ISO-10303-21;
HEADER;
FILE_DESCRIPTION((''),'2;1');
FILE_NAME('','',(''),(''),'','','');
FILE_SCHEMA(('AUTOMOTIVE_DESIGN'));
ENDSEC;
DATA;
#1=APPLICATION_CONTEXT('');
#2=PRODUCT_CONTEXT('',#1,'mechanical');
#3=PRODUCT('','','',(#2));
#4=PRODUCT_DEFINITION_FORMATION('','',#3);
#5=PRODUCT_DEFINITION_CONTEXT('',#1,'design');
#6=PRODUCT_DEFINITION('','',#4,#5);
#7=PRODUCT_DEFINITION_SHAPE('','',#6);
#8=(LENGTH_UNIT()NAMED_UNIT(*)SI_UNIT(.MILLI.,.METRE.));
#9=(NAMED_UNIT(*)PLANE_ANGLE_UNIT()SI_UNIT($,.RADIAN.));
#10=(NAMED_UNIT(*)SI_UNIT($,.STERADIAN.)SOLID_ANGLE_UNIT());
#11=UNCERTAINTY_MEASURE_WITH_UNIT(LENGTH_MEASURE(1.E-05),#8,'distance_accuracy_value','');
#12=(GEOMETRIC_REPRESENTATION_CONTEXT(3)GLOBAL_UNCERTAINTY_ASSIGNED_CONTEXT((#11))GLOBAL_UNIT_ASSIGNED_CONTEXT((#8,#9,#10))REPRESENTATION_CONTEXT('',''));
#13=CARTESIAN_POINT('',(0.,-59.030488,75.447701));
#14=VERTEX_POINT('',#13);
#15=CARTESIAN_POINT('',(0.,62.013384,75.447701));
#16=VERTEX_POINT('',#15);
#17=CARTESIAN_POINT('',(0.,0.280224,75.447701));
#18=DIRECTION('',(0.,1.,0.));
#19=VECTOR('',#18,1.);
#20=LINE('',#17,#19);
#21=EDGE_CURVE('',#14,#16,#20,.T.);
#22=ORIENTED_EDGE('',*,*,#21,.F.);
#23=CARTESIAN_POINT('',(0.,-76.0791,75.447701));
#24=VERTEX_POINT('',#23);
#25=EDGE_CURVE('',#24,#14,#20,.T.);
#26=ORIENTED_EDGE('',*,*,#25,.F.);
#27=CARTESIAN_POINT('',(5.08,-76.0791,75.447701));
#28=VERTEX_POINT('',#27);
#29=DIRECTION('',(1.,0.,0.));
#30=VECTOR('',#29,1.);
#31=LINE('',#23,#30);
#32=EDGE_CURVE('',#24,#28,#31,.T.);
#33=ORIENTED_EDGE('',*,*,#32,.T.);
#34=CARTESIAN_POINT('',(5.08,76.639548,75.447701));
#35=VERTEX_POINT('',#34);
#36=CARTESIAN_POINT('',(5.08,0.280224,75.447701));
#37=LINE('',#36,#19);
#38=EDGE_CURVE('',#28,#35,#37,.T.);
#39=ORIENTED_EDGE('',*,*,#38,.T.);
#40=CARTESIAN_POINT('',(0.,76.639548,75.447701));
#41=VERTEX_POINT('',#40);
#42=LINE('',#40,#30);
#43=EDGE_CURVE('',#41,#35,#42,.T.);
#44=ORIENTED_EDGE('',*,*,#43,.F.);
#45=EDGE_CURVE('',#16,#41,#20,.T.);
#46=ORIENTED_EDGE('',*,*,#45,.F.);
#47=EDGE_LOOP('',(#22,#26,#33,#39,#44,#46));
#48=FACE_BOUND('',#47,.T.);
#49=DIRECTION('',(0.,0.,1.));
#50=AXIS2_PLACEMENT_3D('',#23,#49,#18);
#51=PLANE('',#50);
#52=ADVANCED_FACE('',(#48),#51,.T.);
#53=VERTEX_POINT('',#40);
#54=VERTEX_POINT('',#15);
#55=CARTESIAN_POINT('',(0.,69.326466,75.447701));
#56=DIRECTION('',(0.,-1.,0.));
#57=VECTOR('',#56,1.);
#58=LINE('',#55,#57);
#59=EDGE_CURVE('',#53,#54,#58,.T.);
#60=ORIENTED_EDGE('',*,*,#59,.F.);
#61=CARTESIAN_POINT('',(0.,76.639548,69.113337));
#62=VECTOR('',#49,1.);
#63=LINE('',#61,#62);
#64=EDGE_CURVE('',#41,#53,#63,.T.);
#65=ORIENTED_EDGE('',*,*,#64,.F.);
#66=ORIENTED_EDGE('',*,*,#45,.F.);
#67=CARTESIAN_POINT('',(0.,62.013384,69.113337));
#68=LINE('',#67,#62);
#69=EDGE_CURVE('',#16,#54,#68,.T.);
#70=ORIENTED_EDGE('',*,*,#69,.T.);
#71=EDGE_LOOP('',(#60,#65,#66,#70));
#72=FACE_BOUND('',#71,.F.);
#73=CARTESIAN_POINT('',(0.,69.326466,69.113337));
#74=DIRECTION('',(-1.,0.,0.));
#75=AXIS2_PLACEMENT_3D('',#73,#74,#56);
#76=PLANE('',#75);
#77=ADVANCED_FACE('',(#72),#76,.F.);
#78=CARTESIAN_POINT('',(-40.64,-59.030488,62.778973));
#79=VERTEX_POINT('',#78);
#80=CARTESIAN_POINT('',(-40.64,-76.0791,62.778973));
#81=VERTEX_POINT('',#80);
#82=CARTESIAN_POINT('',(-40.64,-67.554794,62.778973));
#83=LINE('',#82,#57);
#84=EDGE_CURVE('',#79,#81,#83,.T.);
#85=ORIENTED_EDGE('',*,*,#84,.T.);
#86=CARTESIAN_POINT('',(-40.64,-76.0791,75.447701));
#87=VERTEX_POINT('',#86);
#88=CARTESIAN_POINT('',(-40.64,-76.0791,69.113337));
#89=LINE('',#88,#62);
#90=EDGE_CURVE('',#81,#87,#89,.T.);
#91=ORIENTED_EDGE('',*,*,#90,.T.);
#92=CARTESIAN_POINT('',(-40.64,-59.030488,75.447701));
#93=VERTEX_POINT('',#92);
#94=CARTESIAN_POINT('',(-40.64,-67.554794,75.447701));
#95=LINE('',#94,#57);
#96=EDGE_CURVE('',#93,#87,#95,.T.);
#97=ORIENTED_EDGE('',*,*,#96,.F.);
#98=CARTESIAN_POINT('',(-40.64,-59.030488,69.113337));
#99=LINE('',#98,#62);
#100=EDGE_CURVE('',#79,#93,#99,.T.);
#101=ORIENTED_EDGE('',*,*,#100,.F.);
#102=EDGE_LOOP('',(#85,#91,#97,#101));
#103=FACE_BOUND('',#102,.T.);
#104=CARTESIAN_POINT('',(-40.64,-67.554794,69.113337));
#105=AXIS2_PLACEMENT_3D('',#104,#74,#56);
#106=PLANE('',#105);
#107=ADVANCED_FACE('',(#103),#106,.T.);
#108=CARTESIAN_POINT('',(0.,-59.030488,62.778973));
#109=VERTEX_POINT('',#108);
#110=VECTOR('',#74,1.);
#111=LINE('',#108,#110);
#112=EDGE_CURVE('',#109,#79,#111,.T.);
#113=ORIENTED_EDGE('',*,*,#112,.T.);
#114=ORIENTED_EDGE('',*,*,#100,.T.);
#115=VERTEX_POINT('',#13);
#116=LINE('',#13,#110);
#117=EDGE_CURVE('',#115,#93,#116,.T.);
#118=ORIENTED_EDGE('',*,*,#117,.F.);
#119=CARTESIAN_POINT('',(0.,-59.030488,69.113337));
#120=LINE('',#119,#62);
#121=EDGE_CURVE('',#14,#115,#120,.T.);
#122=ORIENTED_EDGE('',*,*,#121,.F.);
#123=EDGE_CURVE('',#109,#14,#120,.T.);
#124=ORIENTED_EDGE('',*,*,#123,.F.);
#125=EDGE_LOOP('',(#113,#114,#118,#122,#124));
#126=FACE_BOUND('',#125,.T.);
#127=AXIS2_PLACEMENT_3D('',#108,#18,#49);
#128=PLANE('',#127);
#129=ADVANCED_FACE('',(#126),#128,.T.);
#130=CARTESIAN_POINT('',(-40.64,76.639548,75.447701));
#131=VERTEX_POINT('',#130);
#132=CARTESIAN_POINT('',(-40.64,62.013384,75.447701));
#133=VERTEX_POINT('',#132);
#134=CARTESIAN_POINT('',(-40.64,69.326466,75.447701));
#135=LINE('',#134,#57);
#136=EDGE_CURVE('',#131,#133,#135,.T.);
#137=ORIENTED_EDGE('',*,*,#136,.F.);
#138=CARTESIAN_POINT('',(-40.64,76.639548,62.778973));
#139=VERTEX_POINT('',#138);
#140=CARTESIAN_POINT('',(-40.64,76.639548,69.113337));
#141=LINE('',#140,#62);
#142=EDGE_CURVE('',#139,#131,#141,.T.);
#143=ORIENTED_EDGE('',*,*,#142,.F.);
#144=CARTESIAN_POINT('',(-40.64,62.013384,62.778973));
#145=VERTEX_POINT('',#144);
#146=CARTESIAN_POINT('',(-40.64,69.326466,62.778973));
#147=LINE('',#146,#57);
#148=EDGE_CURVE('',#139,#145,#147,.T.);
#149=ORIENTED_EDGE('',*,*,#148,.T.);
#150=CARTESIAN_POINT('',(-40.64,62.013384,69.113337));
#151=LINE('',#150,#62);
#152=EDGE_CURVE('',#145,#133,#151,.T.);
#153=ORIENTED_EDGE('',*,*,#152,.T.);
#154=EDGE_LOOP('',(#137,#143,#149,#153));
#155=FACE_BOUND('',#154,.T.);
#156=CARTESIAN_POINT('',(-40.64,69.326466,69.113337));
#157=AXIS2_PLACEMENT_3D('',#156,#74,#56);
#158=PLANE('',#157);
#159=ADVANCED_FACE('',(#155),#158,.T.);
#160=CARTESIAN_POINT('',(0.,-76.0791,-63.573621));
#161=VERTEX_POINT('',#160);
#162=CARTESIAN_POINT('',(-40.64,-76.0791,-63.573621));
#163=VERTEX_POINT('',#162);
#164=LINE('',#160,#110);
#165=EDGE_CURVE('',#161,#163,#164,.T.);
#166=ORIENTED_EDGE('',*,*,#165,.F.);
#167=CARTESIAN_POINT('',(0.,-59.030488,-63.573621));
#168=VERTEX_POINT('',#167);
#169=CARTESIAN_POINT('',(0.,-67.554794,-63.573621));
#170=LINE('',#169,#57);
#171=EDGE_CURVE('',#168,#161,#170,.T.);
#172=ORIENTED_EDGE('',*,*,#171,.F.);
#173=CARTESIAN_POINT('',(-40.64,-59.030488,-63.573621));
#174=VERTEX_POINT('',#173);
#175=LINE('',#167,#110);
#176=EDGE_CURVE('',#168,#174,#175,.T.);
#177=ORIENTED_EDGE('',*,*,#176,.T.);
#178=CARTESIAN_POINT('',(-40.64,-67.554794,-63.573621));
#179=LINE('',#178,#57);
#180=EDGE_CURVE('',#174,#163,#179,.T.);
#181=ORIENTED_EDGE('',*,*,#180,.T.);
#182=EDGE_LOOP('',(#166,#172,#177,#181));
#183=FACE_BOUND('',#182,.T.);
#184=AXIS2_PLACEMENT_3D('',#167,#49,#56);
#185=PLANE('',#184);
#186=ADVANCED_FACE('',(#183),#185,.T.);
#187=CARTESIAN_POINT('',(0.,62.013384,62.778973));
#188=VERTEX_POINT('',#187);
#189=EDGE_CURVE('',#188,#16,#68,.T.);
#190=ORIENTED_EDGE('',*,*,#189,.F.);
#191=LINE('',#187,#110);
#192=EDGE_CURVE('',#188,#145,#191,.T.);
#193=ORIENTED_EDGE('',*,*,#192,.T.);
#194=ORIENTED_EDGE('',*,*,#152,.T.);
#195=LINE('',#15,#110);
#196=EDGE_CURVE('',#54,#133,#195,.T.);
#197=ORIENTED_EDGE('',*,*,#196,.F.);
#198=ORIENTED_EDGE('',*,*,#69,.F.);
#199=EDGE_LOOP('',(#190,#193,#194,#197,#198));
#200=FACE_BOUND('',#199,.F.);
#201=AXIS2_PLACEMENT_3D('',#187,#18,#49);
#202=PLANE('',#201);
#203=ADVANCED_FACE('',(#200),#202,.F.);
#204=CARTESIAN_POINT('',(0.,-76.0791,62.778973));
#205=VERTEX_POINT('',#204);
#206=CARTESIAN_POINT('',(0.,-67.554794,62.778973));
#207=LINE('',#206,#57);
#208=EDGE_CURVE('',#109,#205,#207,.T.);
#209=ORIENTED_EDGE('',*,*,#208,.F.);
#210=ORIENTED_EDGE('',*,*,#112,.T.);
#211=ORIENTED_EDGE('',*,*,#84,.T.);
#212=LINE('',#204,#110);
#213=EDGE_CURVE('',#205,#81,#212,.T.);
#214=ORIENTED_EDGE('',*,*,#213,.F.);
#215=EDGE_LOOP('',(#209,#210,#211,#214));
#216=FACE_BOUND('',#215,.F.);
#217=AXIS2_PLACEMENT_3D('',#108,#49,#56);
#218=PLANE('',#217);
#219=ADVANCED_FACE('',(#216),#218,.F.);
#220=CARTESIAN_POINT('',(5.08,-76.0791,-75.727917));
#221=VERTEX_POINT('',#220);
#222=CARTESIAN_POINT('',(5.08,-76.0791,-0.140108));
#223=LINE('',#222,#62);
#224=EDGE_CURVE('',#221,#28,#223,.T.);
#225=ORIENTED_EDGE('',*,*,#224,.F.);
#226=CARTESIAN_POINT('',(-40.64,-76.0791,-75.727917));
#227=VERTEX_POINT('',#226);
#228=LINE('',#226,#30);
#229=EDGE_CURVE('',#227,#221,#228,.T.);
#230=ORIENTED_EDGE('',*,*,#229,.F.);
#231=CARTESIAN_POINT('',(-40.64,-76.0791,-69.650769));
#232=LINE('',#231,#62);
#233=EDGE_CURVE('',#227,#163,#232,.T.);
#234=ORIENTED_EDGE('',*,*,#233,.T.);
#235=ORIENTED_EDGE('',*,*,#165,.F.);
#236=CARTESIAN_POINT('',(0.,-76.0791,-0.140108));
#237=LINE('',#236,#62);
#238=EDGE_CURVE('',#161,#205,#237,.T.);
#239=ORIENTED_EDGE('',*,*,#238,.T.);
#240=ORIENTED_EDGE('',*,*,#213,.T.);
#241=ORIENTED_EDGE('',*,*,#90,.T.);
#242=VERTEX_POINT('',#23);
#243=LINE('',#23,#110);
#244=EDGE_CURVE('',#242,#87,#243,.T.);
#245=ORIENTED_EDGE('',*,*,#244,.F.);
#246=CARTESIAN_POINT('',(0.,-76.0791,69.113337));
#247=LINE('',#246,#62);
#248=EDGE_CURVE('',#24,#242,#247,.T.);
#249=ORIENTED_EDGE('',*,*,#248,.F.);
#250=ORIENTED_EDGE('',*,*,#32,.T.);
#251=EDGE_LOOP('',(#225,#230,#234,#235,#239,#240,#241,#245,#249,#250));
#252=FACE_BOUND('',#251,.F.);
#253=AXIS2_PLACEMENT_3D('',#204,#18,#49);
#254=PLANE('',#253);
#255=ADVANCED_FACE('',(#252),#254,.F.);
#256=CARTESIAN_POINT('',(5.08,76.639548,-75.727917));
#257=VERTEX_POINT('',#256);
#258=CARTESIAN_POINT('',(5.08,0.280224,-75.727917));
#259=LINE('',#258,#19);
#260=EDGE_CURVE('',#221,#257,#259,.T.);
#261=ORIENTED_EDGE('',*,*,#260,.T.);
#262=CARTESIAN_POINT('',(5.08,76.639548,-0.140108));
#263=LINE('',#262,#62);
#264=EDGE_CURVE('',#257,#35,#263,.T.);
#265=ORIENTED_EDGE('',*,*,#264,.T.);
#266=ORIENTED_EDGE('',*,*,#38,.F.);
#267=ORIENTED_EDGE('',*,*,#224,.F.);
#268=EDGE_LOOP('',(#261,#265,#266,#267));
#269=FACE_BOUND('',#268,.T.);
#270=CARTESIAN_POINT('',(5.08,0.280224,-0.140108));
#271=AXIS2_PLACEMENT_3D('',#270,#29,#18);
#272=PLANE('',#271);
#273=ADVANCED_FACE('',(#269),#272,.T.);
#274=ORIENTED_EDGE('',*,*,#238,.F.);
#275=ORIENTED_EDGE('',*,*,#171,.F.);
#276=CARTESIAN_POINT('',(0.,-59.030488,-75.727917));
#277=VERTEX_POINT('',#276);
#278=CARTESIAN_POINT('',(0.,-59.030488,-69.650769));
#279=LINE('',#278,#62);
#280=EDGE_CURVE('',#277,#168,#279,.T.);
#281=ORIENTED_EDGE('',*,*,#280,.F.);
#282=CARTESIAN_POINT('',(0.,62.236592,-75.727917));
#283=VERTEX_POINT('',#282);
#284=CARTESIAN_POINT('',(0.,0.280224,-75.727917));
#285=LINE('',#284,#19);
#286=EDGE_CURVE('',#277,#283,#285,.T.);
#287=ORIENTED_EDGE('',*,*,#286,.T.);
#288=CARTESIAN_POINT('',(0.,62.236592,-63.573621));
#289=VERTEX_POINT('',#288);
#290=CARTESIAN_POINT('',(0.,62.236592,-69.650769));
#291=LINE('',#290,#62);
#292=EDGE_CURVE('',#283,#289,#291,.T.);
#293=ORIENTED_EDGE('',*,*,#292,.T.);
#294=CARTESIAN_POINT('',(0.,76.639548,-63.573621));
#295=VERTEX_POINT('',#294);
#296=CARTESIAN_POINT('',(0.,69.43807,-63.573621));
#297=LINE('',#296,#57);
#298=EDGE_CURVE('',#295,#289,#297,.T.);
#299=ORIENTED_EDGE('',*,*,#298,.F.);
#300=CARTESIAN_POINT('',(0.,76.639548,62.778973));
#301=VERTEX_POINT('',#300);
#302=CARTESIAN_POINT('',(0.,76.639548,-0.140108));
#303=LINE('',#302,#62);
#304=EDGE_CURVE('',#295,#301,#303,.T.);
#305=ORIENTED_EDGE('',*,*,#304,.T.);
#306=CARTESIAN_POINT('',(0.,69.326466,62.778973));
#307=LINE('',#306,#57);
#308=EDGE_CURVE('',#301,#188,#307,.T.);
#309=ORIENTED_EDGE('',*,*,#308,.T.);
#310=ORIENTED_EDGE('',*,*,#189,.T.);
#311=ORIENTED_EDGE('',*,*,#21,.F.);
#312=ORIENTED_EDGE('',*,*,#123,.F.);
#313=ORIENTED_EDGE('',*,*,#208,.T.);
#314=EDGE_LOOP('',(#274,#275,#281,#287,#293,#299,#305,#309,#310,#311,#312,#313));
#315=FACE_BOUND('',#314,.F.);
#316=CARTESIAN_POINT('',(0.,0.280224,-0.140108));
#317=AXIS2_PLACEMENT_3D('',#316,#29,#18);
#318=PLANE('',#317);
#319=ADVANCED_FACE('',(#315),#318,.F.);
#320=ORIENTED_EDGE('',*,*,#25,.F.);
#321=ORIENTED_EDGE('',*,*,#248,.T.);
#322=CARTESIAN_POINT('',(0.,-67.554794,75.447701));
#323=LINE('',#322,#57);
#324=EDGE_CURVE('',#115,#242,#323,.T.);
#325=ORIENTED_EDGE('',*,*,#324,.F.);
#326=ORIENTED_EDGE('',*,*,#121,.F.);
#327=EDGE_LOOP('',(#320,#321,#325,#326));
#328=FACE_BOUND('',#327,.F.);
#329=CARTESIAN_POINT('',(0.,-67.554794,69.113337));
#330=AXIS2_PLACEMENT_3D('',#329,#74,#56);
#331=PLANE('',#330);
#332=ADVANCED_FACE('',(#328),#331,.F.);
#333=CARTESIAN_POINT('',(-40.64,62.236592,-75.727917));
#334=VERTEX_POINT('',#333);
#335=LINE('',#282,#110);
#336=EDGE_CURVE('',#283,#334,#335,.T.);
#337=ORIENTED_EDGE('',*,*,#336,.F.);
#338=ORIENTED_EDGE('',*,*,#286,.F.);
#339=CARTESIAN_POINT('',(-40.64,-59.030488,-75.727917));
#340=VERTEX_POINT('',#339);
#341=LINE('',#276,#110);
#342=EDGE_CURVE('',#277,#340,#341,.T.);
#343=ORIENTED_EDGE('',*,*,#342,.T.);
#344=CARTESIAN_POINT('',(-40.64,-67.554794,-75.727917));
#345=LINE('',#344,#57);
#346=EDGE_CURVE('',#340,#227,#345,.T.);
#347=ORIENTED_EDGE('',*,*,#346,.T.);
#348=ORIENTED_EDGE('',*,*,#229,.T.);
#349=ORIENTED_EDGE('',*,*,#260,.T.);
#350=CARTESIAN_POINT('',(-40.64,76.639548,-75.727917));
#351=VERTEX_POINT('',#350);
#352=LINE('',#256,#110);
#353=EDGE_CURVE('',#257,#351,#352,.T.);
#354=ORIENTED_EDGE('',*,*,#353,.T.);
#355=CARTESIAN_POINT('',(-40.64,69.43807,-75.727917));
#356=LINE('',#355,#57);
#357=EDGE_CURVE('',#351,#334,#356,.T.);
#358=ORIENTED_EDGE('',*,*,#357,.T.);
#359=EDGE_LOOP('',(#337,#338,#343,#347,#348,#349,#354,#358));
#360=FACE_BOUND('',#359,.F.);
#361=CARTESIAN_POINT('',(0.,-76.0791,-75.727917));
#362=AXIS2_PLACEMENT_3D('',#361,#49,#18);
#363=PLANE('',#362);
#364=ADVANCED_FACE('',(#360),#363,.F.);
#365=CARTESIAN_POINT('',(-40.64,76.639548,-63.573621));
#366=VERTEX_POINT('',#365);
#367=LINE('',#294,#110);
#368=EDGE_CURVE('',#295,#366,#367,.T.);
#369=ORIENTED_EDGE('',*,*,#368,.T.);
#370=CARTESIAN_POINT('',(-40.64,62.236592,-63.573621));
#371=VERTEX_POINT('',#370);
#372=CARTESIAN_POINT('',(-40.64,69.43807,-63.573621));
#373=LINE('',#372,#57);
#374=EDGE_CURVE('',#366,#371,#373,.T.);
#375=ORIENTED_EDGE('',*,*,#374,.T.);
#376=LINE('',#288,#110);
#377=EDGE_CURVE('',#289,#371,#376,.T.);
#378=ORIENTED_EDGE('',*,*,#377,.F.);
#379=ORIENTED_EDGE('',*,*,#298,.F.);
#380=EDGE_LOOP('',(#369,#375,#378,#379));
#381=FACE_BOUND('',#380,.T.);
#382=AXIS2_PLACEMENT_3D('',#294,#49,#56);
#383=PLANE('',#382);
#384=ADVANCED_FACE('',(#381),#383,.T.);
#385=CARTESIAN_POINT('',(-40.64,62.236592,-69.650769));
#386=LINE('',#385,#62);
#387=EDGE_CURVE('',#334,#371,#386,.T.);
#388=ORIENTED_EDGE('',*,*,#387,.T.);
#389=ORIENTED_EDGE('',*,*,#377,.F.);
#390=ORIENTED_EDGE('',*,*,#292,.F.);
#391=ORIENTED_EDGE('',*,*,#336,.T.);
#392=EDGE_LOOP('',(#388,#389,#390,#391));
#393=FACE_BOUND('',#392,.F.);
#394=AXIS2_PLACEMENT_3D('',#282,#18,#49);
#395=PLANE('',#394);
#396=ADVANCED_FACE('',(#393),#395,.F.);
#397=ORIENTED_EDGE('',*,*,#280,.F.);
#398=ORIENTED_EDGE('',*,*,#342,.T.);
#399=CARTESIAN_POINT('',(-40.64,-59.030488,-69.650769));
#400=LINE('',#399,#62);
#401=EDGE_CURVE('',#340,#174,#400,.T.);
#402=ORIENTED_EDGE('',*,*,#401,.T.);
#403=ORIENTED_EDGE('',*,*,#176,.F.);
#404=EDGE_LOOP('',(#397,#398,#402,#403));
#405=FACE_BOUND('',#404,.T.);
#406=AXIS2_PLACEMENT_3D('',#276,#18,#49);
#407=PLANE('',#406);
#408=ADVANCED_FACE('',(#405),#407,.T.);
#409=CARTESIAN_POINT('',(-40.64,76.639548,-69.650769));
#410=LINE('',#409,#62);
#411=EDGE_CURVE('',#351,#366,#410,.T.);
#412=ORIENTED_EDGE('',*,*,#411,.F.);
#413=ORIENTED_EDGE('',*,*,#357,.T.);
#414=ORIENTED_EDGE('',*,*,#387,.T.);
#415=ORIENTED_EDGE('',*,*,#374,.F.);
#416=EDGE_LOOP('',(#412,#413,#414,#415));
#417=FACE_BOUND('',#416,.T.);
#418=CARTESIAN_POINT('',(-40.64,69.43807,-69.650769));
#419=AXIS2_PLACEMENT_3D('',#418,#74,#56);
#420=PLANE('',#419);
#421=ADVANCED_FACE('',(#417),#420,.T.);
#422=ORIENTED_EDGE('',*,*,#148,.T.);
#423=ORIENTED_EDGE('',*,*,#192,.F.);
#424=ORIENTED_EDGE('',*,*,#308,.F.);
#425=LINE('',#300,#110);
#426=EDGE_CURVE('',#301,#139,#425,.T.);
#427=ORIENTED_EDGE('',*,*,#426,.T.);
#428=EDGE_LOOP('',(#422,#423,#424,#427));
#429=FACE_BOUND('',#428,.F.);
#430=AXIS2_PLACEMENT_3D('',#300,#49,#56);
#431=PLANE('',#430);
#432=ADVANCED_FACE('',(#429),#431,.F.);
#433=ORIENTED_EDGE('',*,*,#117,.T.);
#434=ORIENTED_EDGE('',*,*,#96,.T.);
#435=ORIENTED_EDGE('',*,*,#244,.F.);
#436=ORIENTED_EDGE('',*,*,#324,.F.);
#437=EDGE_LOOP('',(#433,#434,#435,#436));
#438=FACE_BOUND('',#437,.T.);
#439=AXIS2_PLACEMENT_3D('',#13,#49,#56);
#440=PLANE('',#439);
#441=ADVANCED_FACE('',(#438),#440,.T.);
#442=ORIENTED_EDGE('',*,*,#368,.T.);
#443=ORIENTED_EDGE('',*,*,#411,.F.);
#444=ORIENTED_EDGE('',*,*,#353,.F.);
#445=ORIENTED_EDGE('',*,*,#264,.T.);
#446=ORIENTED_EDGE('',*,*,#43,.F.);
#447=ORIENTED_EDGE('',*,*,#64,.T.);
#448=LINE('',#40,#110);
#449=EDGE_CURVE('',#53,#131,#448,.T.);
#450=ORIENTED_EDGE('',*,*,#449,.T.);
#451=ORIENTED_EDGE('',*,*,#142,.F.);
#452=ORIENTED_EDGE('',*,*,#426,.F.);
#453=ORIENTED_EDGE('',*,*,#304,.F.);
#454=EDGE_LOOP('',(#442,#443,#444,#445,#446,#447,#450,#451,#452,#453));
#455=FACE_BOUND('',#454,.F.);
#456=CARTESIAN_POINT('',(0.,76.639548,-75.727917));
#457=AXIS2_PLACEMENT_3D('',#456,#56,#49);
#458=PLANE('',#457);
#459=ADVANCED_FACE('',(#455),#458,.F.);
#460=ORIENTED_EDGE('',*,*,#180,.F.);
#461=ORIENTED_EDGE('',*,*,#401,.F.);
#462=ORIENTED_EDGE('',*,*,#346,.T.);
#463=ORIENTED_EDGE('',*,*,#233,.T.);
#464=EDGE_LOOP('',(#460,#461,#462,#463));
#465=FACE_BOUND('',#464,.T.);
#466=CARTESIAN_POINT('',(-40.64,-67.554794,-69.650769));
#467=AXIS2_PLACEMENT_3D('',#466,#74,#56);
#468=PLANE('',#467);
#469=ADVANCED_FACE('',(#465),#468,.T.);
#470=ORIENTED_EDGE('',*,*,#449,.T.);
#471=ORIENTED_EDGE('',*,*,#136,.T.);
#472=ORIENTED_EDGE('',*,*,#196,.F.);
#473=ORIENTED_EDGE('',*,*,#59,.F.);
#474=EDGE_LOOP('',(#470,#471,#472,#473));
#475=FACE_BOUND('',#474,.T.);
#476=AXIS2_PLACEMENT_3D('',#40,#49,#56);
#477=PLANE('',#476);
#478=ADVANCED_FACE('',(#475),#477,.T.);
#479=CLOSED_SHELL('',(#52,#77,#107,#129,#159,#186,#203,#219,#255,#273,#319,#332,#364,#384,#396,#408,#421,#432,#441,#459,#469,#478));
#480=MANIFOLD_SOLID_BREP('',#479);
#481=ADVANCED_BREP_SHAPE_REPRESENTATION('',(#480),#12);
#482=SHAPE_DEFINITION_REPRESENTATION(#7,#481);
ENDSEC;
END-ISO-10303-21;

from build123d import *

# Parameters (mm, degrees)
F0_W     = 152.718648
F0_H     = 151.175618
F1_DEPTH = 5.08
F2_W     = 17.048612
F2_H     = 12.668729
F2_H_2   = 12.154296
F2_W_2   = 14.626164
F2_W_3   = 14.402956
F3_DEPTH = 40.64


with BuildPart() as f1:
    # F0 (on Right) → F1 (new body)
    with BuildSketch(Plane.YZ):
        with Locations((0.280224, -0.140108)):
            Rectangle(F0_W, F0_H)
    extrude(amount=F1_DEPTH)

    # F2 (on face) → F3 (join)
    with BuildSketch(Plane(origin=(0, 0, 0), x_dir=(0, -1, 0), z_dir=(-1, 0, 0))):
        with Locations((67.554794, 69.113337)):
            Rectangle(F2_W, F2_H)
        with Locations((67.554794, -69.650769)):
            Rectangle(F2_W, F2_H_2)
        with Locations((-69.326466, 69.113337)):
            Rectangle(F2_W_2, F2_H)
        with Locations((-69.43807, -69.650769)):
            Rectangle(F2_W_3, F2_H_2)
    extrude(amount=F3_DEPTH)


solid = f1.part
